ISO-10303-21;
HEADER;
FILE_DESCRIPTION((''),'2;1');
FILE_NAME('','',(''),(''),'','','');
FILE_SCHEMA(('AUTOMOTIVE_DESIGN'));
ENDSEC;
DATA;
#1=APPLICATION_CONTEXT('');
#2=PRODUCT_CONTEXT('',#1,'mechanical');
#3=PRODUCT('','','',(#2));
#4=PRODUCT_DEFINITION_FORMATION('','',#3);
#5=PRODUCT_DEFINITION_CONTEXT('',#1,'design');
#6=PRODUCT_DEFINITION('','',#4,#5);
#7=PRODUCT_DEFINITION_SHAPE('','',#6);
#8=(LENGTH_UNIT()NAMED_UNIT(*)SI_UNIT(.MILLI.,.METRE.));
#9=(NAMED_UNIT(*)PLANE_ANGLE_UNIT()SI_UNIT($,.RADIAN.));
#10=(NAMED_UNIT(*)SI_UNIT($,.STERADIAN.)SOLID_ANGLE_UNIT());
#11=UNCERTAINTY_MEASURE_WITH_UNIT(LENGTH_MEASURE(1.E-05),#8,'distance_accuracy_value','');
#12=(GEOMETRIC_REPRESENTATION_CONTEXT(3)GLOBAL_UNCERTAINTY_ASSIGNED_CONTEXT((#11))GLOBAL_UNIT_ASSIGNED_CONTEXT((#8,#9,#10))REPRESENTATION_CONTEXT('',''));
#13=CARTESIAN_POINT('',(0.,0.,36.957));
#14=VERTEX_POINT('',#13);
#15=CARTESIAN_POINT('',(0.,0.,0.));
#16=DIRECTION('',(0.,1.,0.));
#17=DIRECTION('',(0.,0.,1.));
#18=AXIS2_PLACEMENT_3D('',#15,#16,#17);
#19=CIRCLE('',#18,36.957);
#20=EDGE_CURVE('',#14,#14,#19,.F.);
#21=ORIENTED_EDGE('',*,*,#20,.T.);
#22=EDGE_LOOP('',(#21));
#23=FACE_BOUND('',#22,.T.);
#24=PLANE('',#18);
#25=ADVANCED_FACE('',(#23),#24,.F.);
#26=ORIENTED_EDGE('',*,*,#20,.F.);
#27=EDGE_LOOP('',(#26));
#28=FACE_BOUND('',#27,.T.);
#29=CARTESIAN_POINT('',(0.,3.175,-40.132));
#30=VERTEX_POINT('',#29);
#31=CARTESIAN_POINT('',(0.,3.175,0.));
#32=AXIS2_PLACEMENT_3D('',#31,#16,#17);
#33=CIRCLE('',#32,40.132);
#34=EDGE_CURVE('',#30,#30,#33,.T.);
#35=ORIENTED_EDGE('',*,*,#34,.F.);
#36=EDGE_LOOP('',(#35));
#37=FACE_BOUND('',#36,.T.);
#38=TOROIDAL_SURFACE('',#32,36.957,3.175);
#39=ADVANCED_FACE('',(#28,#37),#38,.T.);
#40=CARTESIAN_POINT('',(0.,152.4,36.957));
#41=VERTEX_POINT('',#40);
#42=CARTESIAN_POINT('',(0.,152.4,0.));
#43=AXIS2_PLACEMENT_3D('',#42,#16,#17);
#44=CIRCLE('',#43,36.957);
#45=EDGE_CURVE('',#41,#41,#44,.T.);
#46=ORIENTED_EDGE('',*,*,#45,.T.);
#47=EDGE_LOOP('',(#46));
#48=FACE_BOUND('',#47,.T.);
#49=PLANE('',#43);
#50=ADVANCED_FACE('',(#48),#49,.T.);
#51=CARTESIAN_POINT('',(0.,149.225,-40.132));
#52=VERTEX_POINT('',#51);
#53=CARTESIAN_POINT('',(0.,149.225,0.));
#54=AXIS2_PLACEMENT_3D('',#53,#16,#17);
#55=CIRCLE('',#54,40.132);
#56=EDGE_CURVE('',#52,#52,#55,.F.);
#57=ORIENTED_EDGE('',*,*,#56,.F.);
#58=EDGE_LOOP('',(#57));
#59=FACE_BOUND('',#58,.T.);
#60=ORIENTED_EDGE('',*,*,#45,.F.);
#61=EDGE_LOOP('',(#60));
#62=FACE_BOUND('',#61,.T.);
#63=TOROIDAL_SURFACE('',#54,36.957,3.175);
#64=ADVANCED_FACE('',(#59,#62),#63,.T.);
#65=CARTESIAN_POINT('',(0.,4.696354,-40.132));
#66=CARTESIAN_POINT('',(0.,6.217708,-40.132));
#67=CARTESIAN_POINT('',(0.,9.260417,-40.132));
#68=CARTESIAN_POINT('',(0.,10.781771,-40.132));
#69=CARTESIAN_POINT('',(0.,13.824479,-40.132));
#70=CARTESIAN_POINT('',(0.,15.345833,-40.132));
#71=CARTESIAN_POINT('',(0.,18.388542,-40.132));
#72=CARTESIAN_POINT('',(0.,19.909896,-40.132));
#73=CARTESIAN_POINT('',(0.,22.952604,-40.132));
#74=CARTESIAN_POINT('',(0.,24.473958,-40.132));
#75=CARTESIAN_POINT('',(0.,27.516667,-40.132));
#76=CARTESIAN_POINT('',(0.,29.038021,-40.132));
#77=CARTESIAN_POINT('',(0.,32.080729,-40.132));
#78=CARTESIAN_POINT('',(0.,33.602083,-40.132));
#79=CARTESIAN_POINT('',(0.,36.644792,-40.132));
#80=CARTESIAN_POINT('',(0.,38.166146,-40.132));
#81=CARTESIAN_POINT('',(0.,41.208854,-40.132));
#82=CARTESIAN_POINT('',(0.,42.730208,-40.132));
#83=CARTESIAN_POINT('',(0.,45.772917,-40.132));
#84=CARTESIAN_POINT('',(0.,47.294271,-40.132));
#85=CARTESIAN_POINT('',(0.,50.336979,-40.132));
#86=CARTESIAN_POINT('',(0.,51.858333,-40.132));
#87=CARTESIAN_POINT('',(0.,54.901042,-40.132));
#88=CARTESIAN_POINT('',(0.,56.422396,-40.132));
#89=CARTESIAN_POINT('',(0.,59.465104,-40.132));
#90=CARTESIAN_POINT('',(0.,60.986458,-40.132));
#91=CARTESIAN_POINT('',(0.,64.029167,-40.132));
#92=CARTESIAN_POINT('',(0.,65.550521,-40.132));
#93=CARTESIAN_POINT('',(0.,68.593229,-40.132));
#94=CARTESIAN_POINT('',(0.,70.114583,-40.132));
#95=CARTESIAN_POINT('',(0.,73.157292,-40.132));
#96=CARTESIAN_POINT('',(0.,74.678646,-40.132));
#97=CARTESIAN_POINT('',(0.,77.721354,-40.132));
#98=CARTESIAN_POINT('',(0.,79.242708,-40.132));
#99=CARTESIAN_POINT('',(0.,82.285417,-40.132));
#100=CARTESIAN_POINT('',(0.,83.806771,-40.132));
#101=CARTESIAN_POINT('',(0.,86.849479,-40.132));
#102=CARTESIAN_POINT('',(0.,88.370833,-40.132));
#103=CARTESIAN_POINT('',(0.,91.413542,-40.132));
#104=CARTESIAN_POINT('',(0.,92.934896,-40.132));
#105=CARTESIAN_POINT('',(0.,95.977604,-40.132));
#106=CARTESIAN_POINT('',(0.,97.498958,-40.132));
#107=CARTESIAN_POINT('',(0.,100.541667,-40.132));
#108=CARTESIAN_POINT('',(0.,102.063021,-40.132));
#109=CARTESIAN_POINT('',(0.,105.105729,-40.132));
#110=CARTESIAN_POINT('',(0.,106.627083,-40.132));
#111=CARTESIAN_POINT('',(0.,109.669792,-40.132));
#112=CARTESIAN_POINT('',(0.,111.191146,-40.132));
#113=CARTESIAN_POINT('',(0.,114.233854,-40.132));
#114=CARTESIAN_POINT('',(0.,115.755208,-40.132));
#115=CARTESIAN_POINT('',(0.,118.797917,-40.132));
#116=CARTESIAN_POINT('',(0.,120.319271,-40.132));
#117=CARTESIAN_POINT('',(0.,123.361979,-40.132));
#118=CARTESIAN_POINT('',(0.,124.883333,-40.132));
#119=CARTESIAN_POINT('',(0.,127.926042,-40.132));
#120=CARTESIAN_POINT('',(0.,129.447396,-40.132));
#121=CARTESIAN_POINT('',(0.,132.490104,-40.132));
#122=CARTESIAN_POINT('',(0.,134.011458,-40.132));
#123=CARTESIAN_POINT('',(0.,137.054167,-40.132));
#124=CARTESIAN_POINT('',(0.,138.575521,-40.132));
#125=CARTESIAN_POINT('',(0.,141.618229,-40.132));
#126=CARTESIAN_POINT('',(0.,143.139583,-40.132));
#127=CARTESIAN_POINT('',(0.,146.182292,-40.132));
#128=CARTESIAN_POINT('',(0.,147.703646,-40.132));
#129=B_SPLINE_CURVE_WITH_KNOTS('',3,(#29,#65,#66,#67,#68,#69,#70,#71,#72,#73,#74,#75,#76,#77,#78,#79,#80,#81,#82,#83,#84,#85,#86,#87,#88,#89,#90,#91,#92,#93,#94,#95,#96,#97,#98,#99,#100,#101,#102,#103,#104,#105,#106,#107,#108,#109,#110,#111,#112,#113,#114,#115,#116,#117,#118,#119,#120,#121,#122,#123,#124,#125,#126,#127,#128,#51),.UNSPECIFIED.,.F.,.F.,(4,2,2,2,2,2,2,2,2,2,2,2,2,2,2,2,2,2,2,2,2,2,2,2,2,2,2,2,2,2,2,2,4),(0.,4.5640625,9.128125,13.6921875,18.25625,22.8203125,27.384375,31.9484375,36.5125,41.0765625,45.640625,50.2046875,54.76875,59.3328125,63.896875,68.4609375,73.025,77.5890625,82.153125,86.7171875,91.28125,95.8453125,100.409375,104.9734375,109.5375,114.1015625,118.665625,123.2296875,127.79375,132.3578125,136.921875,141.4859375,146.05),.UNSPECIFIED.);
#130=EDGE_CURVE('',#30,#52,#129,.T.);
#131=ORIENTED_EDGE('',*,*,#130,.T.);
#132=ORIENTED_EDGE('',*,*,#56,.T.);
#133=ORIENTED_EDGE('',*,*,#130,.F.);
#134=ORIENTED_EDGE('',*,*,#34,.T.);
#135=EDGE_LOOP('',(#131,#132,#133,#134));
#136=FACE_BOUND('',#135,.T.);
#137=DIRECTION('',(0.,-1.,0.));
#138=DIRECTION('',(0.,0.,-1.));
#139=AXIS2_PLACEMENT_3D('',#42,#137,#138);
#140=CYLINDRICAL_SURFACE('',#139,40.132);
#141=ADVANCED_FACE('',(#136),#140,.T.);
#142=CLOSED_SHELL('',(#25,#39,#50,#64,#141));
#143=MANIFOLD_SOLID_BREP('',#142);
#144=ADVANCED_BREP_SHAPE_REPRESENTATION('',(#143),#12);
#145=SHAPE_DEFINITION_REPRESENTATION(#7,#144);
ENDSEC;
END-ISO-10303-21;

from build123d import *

# Parameters (mm, degrees)
SKETCH1_R           = 40.132
BOSS_EXTRUDE1_DEPTH = 152.4
FILLET1_R           = 3.175


with BuildPart() as part:
    # Sketch1 → Boss-Extrude1 (new body)
    with BuildSketch(Plane(origin=(0, 0, 0), x_dir=(1, 0, 0), z_dir=(0, 1, 0))):
        with Locations(Location((0, 0, 0), (0, 0, 90))):
            Circle(SKETCH1_R)
    extrude(amount=BOSS_EXTRUDE1_DEPTH)

    # Fillet1
    fillet1_edges = [part.edges().sort_by_distance(p)[0] for p in [
        (0, 0, 40.132),
        (0, 152.4, 40.132),
    ]]
    fillet(fillet1_edges, radius=FILLET1_R)


solid = part.part
